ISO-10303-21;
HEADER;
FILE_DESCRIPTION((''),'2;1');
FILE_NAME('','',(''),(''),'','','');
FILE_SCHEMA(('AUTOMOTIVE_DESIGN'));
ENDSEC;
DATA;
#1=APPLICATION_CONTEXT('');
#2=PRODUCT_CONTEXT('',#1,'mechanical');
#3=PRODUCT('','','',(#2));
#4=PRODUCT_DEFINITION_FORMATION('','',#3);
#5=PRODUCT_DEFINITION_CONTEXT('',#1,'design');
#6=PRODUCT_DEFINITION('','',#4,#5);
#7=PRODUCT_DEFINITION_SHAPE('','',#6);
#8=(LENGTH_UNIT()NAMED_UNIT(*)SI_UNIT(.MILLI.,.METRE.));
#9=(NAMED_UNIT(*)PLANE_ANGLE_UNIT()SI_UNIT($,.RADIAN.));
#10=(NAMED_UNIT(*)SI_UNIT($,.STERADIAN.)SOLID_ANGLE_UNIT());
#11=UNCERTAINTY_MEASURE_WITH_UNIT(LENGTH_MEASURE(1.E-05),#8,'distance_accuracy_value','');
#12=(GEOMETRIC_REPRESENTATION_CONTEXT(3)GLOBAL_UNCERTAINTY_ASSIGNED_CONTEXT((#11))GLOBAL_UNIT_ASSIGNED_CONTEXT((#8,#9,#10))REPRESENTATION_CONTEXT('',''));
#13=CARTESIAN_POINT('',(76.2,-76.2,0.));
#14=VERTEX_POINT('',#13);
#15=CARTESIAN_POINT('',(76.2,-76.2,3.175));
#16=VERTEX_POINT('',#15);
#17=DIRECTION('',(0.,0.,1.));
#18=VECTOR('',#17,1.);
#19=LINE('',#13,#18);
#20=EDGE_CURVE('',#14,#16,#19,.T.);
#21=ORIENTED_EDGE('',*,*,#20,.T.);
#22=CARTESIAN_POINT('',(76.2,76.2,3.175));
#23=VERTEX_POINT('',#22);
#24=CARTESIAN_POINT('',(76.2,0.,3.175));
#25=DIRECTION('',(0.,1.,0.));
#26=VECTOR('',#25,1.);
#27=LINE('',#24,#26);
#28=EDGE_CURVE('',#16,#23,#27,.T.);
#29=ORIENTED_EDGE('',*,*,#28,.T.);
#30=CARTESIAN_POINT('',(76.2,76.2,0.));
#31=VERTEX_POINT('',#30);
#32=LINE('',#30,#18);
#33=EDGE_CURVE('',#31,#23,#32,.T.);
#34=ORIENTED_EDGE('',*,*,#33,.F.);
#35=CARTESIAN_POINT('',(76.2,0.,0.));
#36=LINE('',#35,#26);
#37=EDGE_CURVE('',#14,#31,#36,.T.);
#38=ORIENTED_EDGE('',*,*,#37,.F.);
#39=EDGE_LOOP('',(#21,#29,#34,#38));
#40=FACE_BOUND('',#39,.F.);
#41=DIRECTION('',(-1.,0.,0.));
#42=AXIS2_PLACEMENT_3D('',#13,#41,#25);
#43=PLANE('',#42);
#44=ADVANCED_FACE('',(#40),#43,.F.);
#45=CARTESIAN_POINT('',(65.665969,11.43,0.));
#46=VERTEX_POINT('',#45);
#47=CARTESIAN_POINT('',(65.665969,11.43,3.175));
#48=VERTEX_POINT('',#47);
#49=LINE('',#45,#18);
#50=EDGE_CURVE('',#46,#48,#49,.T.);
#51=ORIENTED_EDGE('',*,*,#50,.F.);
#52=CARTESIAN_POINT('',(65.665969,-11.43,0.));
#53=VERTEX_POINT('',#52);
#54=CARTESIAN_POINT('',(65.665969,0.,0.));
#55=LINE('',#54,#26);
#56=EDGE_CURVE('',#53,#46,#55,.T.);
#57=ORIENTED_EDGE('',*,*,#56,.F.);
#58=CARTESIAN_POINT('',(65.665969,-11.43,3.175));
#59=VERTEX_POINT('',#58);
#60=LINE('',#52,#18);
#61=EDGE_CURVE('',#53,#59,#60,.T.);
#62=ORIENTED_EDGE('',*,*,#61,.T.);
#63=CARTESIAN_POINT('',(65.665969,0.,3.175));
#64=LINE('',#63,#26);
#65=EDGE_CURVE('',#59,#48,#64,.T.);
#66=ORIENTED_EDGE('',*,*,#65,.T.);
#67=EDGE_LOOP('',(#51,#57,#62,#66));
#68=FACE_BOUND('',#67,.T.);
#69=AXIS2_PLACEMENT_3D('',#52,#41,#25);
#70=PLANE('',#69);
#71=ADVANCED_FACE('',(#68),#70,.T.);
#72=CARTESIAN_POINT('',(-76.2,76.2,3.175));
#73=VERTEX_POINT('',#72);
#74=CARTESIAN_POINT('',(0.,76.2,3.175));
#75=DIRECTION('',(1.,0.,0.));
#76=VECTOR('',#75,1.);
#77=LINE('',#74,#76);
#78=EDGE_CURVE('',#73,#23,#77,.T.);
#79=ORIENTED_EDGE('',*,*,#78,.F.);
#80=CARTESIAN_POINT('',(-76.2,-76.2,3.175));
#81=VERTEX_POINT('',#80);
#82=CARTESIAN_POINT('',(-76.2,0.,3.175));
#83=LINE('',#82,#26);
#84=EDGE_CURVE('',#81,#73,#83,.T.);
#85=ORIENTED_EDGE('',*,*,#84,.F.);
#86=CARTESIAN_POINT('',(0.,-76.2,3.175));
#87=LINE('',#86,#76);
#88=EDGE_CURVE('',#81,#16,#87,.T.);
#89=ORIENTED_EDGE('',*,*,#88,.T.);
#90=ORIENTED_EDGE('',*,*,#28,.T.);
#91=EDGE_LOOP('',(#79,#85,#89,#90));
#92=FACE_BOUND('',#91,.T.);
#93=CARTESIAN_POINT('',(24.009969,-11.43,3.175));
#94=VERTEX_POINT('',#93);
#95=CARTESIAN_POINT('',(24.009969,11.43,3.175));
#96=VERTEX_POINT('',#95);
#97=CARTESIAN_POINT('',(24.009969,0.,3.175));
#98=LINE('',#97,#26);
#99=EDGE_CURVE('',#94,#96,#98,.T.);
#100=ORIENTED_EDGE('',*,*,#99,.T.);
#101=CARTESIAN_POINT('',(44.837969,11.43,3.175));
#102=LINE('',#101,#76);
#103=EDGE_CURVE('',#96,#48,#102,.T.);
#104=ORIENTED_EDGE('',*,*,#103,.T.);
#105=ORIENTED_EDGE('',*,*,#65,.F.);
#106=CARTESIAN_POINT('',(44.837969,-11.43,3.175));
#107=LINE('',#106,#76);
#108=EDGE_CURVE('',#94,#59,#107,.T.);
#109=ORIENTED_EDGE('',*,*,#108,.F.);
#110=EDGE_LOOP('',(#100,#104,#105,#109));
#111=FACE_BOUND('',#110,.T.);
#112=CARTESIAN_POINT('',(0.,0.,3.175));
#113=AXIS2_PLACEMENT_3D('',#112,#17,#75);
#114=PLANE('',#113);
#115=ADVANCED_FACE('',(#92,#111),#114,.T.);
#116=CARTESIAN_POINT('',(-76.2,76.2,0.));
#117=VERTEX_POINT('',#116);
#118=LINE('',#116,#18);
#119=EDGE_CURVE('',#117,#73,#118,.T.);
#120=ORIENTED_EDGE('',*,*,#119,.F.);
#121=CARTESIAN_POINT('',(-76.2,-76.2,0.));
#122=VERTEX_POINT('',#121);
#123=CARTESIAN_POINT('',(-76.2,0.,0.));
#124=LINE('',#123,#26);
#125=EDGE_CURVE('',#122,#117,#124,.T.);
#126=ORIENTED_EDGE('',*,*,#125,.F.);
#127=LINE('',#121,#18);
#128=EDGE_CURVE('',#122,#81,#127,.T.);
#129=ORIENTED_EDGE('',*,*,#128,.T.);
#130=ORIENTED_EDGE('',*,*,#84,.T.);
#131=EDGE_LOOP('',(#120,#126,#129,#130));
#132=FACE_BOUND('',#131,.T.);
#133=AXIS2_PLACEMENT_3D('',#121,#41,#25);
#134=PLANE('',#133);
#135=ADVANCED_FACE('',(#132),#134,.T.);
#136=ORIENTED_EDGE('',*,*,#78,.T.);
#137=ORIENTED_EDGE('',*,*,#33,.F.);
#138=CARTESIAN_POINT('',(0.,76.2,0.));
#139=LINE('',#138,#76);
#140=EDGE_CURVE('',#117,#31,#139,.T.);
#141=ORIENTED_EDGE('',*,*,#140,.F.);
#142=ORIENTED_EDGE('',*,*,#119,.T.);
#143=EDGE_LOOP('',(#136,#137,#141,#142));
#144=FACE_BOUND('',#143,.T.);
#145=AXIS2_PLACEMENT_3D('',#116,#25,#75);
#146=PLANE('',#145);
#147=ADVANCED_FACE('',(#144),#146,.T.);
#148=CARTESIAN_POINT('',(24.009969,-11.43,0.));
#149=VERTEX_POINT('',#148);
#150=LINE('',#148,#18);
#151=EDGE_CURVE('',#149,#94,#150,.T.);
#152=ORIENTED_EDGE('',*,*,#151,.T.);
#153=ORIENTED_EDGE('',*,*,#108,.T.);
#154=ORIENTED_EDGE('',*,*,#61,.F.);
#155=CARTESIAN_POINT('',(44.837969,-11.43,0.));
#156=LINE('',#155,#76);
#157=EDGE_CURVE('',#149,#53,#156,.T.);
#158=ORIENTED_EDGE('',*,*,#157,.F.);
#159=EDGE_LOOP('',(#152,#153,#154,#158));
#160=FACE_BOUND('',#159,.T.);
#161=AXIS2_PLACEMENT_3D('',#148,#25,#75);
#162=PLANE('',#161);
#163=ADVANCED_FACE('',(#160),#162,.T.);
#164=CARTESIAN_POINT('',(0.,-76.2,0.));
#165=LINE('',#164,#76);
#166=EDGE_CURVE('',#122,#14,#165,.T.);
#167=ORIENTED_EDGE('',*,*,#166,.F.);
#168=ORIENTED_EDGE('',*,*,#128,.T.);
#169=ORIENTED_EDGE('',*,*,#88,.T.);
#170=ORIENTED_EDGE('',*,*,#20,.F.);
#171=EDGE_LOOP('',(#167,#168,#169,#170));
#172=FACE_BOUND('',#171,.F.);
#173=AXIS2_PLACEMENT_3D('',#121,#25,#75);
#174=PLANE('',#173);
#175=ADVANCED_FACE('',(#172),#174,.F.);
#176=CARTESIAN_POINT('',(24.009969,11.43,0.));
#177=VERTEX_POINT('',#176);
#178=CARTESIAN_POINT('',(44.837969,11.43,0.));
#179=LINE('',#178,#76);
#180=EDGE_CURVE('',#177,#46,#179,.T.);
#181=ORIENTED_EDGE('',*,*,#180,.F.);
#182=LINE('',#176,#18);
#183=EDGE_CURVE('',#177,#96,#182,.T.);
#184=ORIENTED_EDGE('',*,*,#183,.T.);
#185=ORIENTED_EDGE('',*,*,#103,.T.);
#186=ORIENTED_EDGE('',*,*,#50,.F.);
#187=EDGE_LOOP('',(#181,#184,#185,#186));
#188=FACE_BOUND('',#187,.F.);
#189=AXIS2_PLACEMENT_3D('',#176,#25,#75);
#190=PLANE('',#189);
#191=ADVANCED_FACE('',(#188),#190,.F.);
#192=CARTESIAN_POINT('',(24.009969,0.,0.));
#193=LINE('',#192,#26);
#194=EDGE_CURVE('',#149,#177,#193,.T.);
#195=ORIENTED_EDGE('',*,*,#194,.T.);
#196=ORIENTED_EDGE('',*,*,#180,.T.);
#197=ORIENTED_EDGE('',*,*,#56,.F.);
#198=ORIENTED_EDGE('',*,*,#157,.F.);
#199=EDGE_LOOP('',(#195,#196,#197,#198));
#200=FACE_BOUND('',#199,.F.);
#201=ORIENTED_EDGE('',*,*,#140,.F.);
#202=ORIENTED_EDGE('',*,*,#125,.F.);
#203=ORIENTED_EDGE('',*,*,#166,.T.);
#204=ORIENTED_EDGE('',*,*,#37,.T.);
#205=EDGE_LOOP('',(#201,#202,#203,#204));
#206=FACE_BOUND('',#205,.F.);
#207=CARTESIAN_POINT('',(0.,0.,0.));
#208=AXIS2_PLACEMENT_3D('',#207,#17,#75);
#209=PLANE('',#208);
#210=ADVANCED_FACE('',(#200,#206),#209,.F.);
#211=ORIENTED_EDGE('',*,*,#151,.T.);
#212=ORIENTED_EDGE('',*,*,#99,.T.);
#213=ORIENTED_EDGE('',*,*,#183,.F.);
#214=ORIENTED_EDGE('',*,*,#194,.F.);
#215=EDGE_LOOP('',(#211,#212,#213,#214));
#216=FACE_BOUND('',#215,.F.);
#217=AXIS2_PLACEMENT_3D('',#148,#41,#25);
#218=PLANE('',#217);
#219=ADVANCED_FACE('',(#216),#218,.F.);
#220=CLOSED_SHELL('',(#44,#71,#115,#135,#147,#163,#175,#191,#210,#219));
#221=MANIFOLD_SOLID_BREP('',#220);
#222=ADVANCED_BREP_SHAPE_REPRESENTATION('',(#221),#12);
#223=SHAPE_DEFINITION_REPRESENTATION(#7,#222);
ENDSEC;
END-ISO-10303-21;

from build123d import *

# Parameters (mm, degrees)
F1_W     = 152.4
F1_H     = 152.4
F1_W_2   = 41.656
F1_H_2   = 22.86
F2_DEPTH = 3.175


with BuildPart() as f2:
    # F1 (on face) → F2 (new body)
    with BuildSketch(Plane.XY):
        Rectangle(F1_W, F1_H)
        with Locations((44.837969, 0)):
            Rectangle(F1_W_2, F1_H_2, mode=Mode.SUBTRACT)
    extrude(amount=F2_DEPTH)


solid = f2.part
